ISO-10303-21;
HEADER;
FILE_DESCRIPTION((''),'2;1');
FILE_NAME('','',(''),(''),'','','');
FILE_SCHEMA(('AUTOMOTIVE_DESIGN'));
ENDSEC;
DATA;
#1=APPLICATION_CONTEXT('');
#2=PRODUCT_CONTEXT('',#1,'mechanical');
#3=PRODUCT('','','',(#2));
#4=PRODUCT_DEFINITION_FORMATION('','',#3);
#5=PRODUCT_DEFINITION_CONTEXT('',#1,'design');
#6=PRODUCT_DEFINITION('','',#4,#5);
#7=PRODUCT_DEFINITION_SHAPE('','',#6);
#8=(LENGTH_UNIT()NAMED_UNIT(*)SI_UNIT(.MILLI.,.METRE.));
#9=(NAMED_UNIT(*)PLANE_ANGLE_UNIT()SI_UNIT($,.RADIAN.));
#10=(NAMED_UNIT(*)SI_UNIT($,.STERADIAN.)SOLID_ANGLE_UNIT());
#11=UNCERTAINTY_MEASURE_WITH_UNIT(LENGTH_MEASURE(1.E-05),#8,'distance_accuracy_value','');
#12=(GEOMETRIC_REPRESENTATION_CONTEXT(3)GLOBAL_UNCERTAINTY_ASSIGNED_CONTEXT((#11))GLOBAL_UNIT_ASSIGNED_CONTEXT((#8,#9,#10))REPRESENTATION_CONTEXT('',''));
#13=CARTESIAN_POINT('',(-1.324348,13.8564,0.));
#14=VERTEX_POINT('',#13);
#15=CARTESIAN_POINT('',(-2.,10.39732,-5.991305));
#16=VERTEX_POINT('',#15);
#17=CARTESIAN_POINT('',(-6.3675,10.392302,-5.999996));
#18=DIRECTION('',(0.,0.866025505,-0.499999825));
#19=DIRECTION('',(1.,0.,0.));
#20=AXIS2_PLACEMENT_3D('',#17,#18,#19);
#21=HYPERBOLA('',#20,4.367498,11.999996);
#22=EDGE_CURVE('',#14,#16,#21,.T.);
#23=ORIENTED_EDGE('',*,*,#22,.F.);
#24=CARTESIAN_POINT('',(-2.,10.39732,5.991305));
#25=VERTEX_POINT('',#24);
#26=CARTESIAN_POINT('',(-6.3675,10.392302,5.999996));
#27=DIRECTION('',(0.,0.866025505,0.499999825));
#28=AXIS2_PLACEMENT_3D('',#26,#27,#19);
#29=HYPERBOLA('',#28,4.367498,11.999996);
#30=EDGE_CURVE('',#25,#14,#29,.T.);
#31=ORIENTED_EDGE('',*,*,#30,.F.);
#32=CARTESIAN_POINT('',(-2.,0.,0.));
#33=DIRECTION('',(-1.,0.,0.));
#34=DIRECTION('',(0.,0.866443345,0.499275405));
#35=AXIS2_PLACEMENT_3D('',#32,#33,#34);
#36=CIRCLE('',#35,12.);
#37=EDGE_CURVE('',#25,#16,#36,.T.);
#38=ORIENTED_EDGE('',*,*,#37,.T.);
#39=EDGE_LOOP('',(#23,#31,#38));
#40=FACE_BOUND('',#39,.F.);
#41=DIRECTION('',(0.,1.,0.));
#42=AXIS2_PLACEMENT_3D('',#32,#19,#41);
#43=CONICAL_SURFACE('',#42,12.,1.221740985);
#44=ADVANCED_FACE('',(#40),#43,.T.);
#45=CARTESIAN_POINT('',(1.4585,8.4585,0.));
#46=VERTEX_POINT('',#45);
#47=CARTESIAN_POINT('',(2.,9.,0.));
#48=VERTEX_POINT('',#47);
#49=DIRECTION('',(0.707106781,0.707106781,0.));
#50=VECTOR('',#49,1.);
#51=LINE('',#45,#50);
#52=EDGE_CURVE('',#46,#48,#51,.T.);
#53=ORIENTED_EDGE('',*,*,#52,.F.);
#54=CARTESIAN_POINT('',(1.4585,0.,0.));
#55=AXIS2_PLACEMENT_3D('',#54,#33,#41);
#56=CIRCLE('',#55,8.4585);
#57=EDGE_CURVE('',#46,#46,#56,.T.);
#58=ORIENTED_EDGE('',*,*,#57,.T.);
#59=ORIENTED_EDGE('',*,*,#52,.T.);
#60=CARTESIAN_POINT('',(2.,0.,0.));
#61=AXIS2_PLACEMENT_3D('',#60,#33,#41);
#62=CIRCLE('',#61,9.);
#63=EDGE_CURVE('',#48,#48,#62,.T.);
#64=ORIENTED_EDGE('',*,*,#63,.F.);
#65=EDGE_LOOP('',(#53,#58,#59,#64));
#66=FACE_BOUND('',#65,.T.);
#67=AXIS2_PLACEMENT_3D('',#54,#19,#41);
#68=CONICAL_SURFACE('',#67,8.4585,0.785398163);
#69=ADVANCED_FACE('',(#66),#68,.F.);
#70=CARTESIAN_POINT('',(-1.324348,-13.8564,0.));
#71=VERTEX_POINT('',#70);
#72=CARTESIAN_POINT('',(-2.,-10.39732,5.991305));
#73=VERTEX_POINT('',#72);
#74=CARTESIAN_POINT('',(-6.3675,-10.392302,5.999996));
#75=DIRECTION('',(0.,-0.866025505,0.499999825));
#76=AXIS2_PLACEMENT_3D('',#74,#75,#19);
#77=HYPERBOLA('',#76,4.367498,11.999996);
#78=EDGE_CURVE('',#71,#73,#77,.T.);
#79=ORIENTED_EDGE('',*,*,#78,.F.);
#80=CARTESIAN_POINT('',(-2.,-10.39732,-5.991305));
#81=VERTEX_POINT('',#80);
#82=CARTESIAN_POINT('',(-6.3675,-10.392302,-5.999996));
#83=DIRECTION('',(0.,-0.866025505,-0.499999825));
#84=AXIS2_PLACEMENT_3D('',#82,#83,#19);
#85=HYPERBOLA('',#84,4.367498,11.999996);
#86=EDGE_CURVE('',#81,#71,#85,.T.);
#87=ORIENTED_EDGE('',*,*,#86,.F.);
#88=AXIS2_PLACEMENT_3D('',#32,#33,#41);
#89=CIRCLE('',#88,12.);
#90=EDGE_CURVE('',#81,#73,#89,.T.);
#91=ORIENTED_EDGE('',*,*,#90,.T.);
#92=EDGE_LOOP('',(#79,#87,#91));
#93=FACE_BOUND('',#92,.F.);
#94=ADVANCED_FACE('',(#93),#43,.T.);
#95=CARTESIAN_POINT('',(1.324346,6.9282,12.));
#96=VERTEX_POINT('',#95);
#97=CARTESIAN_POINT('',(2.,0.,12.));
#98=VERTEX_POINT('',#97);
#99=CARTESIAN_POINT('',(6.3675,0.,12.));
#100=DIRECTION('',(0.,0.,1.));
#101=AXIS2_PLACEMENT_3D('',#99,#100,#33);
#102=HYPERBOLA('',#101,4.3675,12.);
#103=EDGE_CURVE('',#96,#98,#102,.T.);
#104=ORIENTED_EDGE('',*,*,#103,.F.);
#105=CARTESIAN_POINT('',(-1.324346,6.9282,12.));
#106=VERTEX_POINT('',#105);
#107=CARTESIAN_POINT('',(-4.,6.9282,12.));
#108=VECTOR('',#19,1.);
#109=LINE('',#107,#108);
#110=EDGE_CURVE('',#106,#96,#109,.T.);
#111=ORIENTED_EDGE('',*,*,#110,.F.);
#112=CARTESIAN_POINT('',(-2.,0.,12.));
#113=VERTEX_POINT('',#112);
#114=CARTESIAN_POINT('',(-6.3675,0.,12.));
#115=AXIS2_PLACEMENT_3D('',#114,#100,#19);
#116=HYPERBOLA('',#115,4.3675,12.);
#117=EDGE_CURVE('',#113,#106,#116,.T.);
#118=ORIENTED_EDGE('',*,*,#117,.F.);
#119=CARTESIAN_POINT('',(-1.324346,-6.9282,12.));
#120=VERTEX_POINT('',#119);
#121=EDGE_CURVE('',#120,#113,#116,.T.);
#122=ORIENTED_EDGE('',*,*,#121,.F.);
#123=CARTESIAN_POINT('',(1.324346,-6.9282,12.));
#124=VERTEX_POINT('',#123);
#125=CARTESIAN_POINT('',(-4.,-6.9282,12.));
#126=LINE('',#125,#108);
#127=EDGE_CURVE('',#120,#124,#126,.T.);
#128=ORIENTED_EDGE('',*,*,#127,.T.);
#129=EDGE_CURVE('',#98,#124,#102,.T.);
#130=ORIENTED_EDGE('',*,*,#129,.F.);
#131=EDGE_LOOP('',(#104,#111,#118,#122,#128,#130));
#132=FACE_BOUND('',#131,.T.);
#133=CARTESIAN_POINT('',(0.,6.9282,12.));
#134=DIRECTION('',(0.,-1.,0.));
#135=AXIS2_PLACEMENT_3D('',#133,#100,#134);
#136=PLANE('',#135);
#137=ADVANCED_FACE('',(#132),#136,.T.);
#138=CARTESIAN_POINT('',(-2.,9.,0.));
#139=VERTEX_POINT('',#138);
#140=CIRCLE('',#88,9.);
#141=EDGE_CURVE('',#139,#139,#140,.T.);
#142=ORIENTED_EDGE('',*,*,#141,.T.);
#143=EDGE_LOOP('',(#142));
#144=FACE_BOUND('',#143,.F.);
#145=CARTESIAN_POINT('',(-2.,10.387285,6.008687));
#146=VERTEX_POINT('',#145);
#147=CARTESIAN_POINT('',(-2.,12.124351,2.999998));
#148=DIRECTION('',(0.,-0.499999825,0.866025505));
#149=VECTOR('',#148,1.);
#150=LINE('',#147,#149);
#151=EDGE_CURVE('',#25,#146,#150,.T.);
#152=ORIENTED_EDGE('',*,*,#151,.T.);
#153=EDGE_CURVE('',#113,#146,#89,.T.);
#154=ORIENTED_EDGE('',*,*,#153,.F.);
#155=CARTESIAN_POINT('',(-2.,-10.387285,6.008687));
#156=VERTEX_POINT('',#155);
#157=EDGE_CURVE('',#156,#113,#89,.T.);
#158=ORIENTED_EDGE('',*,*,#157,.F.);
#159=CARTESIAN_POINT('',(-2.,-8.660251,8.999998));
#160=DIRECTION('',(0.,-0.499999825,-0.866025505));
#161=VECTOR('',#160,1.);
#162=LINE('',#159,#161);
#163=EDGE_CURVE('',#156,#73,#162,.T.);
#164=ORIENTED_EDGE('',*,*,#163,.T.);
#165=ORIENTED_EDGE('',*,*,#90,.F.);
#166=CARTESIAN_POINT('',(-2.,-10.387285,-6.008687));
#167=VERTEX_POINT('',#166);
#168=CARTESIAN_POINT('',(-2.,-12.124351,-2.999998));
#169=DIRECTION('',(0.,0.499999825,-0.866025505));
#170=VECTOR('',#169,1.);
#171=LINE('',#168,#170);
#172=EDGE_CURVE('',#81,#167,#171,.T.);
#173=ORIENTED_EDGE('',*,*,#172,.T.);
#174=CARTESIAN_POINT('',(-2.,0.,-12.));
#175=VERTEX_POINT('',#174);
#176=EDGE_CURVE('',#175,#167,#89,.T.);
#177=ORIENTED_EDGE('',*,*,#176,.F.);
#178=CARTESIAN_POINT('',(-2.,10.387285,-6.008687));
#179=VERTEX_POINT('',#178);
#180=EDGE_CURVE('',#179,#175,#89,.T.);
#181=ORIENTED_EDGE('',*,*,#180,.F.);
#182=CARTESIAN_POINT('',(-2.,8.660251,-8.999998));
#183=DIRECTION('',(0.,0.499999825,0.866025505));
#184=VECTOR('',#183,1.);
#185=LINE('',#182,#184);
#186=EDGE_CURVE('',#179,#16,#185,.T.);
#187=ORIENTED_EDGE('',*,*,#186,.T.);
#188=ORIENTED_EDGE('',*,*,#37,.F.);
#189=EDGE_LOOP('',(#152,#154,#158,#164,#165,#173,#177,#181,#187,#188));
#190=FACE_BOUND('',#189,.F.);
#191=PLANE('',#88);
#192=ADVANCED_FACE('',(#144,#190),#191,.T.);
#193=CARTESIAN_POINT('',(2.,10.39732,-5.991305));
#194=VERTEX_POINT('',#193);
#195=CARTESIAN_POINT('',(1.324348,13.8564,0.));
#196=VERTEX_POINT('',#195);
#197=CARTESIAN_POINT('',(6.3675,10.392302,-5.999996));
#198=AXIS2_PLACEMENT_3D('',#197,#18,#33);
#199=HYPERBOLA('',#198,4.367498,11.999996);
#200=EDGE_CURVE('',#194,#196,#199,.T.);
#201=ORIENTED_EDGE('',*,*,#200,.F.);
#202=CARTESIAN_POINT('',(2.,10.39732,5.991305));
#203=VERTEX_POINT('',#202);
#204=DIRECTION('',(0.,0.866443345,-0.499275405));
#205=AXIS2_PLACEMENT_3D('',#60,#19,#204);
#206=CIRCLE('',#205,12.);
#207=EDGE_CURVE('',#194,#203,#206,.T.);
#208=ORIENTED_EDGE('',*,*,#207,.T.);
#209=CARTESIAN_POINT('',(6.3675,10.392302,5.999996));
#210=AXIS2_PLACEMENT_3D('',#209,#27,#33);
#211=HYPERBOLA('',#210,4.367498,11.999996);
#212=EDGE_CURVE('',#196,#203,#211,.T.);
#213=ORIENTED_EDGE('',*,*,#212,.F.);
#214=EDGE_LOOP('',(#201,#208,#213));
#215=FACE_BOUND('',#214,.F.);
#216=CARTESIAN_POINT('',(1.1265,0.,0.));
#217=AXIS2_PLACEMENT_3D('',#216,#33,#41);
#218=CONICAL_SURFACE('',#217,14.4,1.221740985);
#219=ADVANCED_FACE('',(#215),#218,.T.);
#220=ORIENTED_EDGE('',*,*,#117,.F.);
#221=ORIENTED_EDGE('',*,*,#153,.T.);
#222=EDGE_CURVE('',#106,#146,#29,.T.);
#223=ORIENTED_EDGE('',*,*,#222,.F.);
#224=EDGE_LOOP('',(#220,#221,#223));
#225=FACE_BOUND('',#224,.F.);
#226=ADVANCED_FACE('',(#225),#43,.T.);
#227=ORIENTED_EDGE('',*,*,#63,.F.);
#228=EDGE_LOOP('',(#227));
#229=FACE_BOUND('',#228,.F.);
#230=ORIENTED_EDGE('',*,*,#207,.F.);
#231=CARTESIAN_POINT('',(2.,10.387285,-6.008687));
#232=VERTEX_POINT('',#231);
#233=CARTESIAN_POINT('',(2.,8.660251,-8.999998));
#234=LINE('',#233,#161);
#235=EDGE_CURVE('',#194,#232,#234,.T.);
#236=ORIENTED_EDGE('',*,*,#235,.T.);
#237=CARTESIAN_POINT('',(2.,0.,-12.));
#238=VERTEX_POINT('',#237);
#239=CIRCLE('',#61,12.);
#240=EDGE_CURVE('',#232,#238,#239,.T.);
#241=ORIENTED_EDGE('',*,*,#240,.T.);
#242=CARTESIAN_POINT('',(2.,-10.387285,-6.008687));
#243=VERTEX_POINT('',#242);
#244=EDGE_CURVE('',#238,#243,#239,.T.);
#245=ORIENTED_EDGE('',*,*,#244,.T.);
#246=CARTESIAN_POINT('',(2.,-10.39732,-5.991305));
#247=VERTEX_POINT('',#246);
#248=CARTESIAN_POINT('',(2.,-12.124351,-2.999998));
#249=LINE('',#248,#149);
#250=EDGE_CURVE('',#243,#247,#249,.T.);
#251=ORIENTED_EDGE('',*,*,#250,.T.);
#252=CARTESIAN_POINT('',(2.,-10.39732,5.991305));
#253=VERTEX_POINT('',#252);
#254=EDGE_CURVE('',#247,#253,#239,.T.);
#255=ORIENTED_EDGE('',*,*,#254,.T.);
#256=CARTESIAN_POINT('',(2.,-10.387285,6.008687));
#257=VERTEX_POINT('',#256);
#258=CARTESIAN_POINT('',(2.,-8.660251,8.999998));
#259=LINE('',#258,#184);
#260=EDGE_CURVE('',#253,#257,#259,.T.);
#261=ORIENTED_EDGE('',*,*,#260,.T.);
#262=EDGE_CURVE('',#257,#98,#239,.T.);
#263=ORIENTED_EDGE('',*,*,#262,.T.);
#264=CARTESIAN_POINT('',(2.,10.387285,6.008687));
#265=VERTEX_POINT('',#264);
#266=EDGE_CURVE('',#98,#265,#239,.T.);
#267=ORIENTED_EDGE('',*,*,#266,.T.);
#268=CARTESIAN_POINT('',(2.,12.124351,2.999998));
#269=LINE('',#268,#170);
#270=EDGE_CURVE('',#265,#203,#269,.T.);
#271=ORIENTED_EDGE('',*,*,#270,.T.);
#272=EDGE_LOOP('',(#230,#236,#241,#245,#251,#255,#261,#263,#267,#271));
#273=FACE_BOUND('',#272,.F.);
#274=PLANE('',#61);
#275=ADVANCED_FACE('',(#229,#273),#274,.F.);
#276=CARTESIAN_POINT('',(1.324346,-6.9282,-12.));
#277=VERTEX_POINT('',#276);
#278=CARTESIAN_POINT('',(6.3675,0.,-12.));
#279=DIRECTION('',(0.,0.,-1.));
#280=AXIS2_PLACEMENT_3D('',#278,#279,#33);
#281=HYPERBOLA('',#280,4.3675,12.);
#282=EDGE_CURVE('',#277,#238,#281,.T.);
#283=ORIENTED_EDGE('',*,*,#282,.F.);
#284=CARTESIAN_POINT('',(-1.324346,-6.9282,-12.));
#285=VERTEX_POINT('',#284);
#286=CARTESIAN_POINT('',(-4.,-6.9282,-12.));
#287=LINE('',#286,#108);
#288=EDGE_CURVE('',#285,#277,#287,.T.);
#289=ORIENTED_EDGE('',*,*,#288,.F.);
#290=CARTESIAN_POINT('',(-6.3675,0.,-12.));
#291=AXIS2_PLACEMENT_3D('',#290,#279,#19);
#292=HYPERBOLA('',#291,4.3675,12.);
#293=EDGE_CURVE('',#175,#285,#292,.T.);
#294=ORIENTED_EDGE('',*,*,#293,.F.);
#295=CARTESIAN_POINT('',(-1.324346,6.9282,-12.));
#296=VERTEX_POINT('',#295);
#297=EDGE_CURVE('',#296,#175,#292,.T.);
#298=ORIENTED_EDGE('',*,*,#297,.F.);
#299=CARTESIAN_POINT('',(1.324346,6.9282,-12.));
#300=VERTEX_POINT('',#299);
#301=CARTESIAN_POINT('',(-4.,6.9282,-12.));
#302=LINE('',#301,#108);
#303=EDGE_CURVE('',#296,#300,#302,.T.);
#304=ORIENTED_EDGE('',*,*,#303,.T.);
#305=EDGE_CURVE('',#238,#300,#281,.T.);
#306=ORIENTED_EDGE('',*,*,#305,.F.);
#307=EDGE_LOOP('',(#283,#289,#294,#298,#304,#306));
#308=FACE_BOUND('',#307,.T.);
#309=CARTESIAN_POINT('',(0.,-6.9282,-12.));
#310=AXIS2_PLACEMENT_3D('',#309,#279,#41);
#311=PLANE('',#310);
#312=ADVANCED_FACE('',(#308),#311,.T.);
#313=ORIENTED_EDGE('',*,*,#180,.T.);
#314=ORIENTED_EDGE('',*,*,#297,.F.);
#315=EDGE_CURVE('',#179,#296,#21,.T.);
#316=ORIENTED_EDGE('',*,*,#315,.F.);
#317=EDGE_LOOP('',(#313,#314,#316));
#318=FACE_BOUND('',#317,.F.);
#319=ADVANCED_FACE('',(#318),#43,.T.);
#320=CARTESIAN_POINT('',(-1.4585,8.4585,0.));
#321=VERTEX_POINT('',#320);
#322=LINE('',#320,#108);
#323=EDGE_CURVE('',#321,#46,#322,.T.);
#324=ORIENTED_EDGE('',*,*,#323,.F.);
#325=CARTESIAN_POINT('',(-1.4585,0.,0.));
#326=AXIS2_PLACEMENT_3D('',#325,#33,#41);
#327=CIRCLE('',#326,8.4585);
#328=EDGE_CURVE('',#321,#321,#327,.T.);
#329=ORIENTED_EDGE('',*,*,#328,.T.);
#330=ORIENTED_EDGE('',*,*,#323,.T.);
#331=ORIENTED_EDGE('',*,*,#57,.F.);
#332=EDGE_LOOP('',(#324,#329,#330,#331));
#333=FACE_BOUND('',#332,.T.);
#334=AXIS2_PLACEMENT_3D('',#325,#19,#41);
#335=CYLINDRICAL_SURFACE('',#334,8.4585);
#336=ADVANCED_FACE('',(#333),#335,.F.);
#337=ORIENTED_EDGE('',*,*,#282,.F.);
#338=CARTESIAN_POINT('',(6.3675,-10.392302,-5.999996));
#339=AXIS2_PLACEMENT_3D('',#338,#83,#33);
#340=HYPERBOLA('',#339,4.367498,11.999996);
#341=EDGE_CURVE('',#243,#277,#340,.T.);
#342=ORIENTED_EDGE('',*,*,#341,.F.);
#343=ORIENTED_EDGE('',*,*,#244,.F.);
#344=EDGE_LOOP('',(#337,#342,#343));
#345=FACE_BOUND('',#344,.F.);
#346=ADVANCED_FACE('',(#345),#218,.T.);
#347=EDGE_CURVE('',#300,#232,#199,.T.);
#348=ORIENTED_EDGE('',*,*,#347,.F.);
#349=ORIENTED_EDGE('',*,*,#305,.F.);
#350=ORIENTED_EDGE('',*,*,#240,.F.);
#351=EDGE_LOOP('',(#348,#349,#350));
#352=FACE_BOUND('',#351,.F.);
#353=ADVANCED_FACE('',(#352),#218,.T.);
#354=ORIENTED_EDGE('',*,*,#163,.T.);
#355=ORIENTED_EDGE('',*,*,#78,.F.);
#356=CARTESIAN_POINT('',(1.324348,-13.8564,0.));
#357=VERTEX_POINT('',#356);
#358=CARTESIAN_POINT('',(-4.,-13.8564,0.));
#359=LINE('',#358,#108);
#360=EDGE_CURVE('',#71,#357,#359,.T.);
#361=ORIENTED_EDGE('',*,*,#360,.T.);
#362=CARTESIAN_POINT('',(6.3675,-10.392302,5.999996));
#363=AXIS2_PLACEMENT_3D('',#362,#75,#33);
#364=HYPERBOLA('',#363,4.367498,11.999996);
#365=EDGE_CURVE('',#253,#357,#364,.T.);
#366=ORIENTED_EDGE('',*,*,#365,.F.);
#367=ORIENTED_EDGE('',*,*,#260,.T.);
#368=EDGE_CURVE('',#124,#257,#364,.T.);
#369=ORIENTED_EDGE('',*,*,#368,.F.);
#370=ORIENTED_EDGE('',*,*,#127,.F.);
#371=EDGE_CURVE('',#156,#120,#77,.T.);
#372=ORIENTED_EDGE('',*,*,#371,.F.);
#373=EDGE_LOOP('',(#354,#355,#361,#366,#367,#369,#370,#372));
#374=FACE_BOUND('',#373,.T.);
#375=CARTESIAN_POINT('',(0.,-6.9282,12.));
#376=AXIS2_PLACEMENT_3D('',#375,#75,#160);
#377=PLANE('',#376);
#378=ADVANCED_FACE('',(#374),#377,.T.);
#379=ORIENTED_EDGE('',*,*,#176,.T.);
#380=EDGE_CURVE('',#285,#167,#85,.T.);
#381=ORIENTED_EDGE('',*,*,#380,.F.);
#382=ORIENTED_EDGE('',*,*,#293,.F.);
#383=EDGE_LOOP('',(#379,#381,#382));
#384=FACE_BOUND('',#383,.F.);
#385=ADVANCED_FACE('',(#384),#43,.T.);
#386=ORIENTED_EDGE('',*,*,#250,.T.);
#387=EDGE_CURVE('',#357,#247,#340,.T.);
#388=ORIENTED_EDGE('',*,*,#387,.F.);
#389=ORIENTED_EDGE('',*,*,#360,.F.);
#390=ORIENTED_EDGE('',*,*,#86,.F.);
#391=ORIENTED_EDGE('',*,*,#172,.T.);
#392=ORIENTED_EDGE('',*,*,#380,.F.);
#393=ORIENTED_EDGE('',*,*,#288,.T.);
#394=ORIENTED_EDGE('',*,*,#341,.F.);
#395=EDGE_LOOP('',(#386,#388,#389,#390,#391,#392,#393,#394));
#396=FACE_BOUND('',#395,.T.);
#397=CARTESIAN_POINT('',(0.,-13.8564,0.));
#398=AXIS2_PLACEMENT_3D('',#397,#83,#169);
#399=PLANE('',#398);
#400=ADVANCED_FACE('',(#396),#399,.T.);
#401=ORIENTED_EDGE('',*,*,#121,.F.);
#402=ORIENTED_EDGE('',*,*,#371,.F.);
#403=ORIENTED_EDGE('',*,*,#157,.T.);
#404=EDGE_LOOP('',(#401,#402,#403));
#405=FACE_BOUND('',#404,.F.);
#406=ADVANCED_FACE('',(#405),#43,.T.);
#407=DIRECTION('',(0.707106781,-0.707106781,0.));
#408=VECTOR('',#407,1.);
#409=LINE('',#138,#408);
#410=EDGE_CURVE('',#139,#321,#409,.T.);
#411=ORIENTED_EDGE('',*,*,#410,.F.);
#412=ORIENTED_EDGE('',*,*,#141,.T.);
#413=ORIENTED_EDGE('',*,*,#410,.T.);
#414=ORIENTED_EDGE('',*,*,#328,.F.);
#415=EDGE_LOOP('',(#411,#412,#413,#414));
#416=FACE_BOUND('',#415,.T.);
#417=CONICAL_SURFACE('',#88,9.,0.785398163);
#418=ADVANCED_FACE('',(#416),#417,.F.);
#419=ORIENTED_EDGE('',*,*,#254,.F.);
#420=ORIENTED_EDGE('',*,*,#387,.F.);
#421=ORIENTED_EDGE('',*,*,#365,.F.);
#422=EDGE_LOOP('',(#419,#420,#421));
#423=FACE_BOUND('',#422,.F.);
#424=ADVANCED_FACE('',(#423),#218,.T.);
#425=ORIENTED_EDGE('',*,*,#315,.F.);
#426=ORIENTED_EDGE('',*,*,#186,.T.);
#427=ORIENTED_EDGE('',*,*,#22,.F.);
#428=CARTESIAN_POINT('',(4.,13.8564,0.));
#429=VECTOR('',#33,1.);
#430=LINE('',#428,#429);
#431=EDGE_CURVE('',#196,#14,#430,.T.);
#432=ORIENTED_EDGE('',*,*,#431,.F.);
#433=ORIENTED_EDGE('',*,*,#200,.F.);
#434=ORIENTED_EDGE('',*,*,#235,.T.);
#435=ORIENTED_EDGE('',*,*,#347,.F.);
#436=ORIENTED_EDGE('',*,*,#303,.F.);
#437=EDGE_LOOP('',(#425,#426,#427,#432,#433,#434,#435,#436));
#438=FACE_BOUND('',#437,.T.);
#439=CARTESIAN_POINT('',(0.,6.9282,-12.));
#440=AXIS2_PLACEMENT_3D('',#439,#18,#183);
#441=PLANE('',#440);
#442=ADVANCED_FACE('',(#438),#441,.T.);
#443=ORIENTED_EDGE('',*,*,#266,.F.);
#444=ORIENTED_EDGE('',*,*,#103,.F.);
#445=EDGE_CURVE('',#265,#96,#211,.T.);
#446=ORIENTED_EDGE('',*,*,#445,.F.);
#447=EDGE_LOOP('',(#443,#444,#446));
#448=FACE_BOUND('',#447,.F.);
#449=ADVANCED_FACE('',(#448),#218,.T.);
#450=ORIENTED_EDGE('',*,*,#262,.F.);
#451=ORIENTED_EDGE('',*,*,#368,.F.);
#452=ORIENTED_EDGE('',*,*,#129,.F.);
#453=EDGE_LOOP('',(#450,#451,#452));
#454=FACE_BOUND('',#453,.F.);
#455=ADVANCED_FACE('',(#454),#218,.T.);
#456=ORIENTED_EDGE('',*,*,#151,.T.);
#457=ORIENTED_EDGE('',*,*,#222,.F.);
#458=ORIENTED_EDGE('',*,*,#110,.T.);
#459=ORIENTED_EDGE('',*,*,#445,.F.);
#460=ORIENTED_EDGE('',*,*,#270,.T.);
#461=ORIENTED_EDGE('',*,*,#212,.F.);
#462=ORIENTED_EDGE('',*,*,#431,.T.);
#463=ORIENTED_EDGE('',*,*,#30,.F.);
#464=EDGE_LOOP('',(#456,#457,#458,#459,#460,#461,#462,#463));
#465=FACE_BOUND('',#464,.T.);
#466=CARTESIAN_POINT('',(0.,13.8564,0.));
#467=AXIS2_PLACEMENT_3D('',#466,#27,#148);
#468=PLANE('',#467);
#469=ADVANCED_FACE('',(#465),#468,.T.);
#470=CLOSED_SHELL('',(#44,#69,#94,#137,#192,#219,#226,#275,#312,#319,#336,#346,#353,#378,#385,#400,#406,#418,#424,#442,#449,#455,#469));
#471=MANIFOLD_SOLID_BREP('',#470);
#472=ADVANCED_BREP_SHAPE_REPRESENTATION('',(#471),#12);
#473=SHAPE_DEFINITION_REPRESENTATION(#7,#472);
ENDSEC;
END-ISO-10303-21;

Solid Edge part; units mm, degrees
sketch "Sketch1" plane through (0, 0, 0) normal (0, 0, 1) x (1, 0, 0)
  line L0 (-2, 0) -> (-2, 12)
  line L1 (-2, 12) -> (-1.1265, 14.4)
  line L2 (-1.1265, 14.4) -> (1.1265, 14.4)
  line L3 (1.1265, 14.4) -> (2, 12)
  line L4 (2, 12) -> (2, 0)
  line L5 (2, 0) -> (-2, 0)
revolve "RevolvedProtrusion1" add sketch "Sketch1" angle 360 about axis through (2, 0, 0) along (-1, 0, 0)
sketch "Sketch2" plane through (0, 0, 0) normal (1, 0, 0) x (0, 1, 0)
  line L0 (24, 24) -> (-24, 24)
  line L1 (-24, 24) -> (-24, -24)
  line L2 (-24, -24) -> (24, -24)
  line L3 (24, -24) -> (24, 24)
  line L4 (-6.9282, 12) -> (-13.8564, 0)
  line L5 (-13.8564, 0) -> (-6.9282, -12)
  line L6 (-6.9282, -12) -> (6.9282, -12)
  line L7 (6.9282, -12) -> (13.8564, 0)
  line L8 (13.8564, 0) -> (6.9282, 12)
  line L9 (6.9282, 12) -> (-6.9282, 12)
extrude "Extrusionsausschnitt_1" cut sketch "Sketch2" against normal blind 4 and the other way blind 4
sketch "Sketch3" plane through (0, 0, 0) normal (0, 0, 1) x (1, 0, 0)
  line L0 (-2, 0) -> (-2, 9)
  line L1 (-2, 9) -> (-1.4585, 8.4585)
  line L2 (-1.4585, 8.4585) -> (1.4585, 8.4585)
  line L3 (1.4585, 8.4585) -> (2, 9)
  line L4 (2, 9) -> (2, 0)
  line L5 (2, 0) -> (-2, 0)
revolve "RevolvedCutout1" cut sketch "Sketch3" angle 360 about axis through (2, 0, 0) along (-1, 0, 0)
properties part number "Nut M18 x 1"
